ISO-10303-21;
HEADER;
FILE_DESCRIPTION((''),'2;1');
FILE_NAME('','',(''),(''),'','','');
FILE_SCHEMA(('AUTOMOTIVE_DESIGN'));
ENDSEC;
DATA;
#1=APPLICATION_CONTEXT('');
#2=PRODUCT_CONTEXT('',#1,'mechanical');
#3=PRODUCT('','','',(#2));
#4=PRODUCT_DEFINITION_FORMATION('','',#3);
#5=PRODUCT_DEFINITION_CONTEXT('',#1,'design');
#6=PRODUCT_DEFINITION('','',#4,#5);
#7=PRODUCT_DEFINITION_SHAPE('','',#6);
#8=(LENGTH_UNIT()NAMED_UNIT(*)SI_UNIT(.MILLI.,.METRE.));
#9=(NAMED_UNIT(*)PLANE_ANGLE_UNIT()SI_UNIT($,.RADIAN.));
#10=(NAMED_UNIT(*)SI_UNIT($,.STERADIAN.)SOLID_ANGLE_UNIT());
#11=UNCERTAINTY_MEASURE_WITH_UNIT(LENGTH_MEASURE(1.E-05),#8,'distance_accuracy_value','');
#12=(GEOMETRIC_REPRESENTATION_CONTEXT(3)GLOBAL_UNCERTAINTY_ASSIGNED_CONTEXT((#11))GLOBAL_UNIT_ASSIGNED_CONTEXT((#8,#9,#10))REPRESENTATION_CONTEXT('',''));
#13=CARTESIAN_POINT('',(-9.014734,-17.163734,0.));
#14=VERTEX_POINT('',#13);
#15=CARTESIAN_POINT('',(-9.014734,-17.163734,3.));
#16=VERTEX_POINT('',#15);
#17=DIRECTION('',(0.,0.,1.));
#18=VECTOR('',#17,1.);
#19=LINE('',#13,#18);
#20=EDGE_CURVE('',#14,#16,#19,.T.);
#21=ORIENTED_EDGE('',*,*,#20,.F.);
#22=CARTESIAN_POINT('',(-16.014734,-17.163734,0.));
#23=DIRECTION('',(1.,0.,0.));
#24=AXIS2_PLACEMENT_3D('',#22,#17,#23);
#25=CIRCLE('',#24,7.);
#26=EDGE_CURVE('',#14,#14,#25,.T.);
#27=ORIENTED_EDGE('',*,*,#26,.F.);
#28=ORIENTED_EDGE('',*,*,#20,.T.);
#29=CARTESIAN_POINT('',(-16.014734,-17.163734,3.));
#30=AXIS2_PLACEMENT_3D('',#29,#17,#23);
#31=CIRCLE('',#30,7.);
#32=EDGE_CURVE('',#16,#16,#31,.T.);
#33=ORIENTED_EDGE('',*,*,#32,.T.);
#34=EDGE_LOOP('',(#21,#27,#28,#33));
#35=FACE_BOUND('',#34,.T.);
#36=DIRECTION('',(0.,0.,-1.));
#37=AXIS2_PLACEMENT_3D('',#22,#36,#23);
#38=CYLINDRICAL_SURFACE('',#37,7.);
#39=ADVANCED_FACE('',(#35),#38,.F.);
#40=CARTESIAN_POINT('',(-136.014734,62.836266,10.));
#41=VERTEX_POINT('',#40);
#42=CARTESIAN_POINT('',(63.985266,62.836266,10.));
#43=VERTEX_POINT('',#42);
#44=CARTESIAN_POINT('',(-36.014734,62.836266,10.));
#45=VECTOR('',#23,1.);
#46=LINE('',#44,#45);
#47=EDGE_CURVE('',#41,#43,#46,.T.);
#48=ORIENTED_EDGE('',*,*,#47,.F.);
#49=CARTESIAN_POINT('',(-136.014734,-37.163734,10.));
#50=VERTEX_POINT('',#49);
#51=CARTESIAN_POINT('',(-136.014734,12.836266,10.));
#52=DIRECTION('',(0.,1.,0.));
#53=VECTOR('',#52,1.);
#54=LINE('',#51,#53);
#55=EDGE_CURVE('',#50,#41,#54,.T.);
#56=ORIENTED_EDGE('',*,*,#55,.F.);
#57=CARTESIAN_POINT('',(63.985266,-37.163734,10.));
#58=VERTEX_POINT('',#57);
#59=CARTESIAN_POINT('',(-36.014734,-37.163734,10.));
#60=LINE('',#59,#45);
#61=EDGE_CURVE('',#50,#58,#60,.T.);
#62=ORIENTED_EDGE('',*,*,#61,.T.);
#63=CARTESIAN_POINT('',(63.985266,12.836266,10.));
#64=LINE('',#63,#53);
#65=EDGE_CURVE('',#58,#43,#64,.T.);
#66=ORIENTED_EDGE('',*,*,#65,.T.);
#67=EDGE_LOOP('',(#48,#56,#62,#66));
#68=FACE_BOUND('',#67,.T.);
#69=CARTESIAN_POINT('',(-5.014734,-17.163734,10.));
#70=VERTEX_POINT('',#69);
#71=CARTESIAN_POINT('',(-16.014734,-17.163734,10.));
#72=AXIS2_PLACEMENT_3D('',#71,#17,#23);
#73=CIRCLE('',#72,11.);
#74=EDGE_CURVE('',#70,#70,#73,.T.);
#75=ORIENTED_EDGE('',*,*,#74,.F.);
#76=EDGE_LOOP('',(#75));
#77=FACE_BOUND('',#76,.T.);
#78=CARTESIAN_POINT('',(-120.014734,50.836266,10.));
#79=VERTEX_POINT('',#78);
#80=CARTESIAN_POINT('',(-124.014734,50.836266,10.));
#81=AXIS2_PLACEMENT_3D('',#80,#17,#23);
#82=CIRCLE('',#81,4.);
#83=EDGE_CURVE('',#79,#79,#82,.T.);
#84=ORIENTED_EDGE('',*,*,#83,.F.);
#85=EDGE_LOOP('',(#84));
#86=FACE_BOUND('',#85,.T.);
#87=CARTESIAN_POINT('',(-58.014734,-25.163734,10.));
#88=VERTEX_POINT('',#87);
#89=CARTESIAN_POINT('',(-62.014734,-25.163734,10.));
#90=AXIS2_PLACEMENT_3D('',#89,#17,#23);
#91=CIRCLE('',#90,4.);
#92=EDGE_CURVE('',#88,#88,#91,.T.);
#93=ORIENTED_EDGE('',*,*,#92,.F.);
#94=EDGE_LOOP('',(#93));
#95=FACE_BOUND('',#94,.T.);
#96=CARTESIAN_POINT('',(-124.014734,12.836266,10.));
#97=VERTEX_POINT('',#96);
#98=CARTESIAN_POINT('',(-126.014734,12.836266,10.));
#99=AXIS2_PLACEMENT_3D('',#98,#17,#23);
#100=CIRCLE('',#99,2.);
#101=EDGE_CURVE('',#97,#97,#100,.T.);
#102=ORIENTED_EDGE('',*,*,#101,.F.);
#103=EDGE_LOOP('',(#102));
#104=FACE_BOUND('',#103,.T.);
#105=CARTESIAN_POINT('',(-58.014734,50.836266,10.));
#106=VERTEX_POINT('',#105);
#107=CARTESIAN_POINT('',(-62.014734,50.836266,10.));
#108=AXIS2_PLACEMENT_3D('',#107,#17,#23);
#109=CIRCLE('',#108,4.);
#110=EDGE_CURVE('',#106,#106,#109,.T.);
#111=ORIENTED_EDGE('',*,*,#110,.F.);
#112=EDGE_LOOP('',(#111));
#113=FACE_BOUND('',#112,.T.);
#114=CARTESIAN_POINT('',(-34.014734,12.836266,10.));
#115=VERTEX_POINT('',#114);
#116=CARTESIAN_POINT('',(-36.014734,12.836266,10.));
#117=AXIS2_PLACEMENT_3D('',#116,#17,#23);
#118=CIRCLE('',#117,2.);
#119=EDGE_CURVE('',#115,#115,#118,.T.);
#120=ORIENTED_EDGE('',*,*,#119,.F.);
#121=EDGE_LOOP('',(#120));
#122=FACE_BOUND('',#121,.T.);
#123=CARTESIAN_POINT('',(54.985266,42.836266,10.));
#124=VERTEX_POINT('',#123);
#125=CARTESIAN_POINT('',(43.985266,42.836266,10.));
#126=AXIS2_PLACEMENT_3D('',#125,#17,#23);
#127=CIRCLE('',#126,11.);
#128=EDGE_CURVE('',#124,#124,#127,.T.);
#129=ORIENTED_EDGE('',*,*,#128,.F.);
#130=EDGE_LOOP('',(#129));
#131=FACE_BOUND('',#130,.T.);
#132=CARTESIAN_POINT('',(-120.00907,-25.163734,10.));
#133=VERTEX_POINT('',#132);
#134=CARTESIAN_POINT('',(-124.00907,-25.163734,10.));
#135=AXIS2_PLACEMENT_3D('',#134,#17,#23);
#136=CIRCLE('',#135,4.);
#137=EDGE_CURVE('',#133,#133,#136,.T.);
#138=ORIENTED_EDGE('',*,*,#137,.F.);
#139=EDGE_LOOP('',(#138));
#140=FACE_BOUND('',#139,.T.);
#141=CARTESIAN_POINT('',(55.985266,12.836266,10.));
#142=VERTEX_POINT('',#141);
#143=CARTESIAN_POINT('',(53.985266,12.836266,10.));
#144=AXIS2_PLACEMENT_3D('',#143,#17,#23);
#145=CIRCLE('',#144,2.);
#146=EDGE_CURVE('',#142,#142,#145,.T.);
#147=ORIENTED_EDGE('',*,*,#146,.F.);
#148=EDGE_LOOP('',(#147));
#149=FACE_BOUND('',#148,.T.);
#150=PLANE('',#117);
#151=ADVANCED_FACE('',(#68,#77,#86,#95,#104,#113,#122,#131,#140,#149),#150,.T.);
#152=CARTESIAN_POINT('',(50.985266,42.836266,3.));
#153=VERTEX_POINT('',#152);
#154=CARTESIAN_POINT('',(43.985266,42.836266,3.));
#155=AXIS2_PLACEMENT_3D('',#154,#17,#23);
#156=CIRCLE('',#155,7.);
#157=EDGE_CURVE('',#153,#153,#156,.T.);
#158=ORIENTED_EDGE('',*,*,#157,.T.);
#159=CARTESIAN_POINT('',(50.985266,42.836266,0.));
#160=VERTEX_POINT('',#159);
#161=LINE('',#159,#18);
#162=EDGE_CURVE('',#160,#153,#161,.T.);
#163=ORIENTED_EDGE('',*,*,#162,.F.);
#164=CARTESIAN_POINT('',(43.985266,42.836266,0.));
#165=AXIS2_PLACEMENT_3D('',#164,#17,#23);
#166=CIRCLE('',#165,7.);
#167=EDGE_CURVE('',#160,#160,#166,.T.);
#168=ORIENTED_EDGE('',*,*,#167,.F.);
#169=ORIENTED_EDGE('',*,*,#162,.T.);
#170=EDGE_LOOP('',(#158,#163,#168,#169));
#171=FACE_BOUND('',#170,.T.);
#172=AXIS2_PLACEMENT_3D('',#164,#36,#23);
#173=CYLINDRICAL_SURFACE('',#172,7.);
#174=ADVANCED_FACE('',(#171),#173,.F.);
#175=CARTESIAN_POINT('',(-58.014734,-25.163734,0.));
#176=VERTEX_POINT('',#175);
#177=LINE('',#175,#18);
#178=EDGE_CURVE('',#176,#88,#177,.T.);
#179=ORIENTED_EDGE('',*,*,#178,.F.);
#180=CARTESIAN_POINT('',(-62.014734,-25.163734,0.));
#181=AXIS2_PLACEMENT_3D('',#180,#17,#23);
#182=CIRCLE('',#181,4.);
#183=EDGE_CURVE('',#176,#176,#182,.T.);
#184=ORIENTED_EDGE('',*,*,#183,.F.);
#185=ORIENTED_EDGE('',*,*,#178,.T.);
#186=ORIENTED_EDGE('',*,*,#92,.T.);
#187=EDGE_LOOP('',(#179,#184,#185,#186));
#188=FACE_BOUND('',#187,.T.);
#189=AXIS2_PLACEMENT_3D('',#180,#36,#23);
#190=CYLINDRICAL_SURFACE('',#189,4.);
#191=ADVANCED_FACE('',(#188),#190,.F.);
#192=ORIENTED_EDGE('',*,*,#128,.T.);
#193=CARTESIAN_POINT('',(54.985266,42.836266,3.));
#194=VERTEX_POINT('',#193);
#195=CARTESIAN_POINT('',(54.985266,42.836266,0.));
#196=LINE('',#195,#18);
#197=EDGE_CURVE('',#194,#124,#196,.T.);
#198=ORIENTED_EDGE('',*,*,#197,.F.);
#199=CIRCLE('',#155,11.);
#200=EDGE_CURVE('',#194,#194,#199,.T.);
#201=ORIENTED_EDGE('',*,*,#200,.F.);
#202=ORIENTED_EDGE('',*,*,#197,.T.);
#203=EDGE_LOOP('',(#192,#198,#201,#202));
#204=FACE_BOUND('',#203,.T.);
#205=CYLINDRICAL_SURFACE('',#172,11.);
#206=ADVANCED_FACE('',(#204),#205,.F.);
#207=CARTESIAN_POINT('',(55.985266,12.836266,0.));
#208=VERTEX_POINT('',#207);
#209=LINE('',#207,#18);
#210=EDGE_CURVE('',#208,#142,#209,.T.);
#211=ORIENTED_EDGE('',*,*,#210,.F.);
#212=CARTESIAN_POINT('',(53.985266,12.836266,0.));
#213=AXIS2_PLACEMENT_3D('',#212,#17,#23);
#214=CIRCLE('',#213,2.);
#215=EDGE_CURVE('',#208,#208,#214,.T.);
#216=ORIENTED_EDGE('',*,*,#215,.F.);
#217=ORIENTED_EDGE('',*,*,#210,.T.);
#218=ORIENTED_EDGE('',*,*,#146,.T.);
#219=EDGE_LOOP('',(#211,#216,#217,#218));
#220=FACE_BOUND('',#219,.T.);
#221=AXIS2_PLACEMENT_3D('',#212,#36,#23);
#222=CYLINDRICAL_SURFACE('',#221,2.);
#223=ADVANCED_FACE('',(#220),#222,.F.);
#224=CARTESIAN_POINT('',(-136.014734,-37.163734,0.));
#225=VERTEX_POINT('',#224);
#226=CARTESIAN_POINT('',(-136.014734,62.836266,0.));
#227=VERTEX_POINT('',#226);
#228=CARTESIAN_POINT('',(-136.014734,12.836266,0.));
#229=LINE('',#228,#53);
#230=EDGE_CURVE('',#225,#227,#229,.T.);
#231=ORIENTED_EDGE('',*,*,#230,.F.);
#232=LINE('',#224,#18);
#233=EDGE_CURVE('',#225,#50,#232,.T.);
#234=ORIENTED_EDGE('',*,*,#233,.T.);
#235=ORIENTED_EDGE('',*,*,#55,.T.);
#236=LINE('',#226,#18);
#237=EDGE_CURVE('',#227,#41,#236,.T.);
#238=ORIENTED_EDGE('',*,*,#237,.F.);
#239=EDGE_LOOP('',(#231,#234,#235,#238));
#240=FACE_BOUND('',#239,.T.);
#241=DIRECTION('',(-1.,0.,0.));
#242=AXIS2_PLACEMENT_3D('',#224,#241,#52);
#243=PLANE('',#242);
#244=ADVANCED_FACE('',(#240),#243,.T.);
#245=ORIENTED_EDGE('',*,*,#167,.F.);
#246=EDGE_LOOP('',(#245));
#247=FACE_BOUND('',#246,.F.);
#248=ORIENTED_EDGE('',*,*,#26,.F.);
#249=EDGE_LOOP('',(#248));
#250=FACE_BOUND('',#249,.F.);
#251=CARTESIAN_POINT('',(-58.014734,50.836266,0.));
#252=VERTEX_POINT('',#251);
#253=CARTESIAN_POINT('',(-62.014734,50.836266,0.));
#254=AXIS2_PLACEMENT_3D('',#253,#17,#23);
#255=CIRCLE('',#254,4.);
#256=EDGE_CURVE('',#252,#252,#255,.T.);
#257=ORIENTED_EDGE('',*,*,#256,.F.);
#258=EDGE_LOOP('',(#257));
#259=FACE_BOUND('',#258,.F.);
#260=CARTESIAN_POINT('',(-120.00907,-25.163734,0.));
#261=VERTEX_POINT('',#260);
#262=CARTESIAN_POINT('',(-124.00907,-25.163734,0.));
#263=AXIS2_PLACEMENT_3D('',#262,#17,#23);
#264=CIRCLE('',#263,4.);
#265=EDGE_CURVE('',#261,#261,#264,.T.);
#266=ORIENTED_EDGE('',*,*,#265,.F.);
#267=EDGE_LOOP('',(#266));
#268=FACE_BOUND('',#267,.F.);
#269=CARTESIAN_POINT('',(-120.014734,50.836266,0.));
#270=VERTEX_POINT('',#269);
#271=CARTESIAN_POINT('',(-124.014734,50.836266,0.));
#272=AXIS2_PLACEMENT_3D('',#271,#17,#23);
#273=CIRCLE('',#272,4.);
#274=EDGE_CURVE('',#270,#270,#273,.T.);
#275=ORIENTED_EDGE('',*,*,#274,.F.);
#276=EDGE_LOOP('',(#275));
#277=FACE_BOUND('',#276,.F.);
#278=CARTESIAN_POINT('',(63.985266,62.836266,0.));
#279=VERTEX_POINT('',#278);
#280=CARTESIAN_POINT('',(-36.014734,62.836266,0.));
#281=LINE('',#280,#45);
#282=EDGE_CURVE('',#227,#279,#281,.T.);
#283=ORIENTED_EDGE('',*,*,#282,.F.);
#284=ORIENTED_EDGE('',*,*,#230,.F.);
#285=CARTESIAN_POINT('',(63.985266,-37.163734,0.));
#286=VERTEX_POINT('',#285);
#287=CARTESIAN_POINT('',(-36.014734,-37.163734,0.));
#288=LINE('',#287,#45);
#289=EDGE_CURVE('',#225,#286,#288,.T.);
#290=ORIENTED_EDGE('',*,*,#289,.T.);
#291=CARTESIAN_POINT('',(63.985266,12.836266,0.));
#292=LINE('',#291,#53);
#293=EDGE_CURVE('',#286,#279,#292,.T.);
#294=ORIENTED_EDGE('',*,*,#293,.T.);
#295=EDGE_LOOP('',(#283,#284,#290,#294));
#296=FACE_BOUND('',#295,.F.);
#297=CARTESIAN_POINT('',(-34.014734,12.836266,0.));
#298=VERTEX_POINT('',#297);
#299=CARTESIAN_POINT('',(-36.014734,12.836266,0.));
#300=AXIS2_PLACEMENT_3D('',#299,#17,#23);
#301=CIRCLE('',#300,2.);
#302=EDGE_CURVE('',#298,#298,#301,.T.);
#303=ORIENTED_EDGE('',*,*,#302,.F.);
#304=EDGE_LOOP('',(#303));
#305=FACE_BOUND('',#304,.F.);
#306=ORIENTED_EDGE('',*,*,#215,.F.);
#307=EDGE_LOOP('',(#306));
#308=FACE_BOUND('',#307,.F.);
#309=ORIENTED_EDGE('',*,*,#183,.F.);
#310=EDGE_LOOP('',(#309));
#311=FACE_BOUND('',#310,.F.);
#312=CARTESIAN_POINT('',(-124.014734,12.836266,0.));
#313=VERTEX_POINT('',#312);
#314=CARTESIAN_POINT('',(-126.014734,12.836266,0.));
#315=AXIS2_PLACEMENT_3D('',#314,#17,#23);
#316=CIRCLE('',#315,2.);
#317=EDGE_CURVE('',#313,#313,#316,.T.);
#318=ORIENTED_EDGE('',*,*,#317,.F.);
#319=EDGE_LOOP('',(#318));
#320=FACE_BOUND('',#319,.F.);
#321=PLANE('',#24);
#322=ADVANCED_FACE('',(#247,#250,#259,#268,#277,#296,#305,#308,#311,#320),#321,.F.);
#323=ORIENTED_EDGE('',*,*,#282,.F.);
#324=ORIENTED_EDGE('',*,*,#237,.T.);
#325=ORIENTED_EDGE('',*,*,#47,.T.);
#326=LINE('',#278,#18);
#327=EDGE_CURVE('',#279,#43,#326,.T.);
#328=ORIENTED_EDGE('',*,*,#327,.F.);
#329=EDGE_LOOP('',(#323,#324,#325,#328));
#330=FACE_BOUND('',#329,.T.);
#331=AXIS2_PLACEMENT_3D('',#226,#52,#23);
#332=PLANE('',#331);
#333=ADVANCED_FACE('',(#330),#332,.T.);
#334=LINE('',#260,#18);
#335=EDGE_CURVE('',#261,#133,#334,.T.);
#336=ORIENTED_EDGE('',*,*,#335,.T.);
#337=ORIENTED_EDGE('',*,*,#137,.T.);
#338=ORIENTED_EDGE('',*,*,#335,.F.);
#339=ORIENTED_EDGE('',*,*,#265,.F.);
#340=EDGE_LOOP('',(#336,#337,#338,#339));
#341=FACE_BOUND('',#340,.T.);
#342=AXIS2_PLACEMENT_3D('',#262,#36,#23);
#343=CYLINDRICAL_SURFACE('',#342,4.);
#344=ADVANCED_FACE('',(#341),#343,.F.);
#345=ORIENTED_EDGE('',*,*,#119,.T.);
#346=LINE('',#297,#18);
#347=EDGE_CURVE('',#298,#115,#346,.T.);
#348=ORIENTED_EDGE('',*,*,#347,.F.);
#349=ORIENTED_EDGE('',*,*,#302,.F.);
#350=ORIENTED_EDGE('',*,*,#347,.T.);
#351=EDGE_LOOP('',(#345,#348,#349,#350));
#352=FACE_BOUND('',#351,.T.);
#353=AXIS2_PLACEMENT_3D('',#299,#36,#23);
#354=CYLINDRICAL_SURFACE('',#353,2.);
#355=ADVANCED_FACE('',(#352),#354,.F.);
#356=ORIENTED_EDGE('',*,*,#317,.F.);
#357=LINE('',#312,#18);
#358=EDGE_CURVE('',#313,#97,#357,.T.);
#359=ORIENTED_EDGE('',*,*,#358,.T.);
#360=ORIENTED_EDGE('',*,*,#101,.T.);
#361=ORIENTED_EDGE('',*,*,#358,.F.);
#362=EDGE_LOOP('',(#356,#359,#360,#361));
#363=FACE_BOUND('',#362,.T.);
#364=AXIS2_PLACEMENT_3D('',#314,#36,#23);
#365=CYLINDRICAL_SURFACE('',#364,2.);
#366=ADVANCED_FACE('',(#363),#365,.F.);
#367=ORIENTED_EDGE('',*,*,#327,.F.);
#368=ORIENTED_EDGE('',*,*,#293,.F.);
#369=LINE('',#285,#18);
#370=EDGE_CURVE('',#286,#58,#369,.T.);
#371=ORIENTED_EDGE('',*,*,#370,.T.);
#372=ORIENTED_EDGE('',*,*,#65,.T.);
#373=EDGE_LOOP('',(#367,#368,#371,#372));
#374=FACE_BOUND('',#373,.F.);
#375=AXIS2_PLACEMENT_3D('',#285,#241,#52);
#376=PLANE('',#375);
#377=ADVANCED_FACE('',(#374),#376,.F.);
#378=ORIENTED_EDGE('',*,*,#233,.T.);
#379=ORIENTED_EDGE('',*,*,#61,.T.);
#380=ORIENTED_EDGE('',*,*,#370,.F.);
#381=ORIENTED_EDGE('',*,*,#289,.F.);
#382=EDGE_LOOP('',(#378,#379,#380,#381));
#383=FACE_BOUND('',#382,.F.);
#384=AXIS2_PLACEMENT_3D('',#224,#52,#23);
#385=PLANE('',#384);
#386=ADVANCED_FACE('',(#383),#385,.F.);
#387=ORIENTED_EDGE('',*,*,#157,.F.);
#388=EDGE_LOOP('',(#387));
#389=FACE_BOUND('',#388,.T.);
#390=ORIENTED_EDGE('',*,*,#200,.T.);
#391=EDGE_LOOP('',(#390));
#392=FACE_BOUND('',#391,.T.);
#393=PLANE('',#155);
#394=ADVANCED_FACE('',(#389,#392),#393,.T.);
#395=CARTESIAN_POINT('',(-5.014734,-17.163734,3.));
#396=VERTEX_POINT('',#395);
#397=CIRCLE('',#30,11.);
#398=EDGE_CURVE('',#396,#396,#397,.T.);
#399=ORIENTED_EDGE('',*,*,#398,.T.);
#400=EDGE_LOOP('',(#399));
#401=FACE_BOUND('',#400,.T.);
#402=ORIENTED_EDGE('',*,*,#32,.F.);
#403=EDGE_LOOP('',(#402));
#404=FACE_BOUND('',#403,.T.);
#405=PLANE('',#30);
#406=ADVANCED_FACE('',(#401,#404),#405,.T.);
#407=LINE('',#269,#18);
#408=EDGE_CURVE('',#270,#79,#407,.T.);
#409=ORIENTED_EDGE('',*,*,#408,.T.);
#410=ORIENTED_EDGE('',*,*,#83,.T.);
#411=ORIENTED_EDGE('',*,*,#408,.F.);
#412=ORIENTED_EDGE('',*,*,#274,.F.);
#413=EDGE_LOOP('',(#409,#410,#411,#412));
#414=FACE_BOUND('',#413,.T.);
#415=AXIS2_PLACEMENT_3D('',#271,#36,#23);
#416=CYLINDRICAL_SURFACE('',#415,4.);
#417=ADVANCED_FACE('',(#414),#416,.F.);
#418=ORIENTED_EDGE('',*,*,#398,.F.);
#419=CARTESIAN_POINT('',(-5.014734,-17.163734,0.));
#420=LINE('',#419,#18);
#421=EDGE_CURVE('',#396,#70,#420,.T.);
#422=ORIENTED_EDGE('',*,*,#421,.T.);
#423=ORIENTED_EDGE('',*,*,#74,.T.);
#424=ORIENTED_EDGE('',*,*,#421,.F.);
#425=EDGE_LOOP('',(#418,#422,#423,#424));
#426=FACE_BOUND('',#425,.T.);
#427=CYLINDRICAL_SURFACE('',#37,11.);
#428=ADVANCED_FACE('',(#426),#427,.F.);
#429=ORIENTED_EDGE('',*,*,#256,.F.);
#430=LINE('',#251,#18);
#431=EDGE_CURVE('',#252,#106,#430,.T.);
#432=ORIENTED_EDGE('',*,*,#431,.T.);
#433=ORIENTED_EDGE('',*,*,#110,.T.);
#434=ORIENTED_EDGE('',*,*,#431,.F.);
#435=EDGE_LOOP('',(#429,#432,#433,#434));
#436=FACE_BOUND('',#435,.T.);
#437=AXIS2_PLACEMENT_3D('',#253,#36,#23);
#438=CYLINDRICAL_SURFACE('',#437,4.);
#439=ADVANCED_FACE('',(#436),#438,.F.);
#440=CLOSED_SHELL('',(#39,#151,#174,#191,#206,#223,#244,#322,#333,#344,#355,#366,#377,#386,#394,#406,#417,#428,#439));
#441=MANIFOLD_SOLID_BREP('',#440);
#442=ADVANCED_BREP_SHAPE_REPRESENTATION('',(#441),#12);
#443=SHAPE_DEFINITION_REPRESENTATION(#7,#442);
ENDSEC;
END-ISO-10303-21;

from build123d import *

# Parameters (mm, degrees)
F0_W     = 200
F0_H     = 100
F0_R     = 4
F0_R_2   = 11
F0_R_3   = 2
F1_DEPTH = 10
F0_R_4   = 7
F2_DEPTH = 3


with BuildPart() as f1:
    # F0 (on Top) → F1 (new body)
    with BuildSketch(Plane.XY):
        with Locations((-36.014734, 12.836266)):
            Rectangle(F0_W, F0_H)
        with Locations((-124.00907, -25.163734)):
            Circle(F0_R, mode=Mode.SUBTRACT)
        with Locations((-62.014734, -25.163734)):
            Circle(F0_R, mode=Mode.SUBTRACT)
        with Locations((-16.014734, -17.163734)):
            Circle(F0_R_2, mode=Mode.SUBTRACT)
        with Locations((-126.014734, 12.836266)):
            Circle(F0_R_3, mode=Mode.SUBTRACT)
        with Locations((-124.014734, 50.836266)):
            Circle(F0_R, mode=Mode.SUBTRACT)
        with Locations((-62.014734, 50.836266)):
            Circle(F0_R, mode=Mode.SUBTRACT)
        with Locations((-36.014734, 12.836266)):
            Circle(F0_R_3, mode=Mode.SUBTRACT)
        with Locations((53.985266, 12.836266)):
            Circle(F0_R_3, mode=Mode.SUBTRACT)
        with Locations((43.985266, 42.836266)):
            Circle(F0_R_2, mode=Mode.SUBTRACT)
    extrude(amount=F1_DEPTH)

    # F0 (on Top) → F2 (join)
    with BuildSketch(Plane.XY):
        with Locations((-16.014734, -17.163734)):
            Circle(F0_R_2)
        with Locations((-16.014734, -17.163734)):
            Circle(F0_R_4, mode=Mode.SUBTRACT)
        with Locations((43.985266, 42.836266)):
            Circle(F0_R_2)
        with Locations((43.985266, 42.836266)):
            Circle(F0_R_4, mode=Mode.SUBTRACT)
    extrude(amount=F2_DEPTH)


solid = f1.part
